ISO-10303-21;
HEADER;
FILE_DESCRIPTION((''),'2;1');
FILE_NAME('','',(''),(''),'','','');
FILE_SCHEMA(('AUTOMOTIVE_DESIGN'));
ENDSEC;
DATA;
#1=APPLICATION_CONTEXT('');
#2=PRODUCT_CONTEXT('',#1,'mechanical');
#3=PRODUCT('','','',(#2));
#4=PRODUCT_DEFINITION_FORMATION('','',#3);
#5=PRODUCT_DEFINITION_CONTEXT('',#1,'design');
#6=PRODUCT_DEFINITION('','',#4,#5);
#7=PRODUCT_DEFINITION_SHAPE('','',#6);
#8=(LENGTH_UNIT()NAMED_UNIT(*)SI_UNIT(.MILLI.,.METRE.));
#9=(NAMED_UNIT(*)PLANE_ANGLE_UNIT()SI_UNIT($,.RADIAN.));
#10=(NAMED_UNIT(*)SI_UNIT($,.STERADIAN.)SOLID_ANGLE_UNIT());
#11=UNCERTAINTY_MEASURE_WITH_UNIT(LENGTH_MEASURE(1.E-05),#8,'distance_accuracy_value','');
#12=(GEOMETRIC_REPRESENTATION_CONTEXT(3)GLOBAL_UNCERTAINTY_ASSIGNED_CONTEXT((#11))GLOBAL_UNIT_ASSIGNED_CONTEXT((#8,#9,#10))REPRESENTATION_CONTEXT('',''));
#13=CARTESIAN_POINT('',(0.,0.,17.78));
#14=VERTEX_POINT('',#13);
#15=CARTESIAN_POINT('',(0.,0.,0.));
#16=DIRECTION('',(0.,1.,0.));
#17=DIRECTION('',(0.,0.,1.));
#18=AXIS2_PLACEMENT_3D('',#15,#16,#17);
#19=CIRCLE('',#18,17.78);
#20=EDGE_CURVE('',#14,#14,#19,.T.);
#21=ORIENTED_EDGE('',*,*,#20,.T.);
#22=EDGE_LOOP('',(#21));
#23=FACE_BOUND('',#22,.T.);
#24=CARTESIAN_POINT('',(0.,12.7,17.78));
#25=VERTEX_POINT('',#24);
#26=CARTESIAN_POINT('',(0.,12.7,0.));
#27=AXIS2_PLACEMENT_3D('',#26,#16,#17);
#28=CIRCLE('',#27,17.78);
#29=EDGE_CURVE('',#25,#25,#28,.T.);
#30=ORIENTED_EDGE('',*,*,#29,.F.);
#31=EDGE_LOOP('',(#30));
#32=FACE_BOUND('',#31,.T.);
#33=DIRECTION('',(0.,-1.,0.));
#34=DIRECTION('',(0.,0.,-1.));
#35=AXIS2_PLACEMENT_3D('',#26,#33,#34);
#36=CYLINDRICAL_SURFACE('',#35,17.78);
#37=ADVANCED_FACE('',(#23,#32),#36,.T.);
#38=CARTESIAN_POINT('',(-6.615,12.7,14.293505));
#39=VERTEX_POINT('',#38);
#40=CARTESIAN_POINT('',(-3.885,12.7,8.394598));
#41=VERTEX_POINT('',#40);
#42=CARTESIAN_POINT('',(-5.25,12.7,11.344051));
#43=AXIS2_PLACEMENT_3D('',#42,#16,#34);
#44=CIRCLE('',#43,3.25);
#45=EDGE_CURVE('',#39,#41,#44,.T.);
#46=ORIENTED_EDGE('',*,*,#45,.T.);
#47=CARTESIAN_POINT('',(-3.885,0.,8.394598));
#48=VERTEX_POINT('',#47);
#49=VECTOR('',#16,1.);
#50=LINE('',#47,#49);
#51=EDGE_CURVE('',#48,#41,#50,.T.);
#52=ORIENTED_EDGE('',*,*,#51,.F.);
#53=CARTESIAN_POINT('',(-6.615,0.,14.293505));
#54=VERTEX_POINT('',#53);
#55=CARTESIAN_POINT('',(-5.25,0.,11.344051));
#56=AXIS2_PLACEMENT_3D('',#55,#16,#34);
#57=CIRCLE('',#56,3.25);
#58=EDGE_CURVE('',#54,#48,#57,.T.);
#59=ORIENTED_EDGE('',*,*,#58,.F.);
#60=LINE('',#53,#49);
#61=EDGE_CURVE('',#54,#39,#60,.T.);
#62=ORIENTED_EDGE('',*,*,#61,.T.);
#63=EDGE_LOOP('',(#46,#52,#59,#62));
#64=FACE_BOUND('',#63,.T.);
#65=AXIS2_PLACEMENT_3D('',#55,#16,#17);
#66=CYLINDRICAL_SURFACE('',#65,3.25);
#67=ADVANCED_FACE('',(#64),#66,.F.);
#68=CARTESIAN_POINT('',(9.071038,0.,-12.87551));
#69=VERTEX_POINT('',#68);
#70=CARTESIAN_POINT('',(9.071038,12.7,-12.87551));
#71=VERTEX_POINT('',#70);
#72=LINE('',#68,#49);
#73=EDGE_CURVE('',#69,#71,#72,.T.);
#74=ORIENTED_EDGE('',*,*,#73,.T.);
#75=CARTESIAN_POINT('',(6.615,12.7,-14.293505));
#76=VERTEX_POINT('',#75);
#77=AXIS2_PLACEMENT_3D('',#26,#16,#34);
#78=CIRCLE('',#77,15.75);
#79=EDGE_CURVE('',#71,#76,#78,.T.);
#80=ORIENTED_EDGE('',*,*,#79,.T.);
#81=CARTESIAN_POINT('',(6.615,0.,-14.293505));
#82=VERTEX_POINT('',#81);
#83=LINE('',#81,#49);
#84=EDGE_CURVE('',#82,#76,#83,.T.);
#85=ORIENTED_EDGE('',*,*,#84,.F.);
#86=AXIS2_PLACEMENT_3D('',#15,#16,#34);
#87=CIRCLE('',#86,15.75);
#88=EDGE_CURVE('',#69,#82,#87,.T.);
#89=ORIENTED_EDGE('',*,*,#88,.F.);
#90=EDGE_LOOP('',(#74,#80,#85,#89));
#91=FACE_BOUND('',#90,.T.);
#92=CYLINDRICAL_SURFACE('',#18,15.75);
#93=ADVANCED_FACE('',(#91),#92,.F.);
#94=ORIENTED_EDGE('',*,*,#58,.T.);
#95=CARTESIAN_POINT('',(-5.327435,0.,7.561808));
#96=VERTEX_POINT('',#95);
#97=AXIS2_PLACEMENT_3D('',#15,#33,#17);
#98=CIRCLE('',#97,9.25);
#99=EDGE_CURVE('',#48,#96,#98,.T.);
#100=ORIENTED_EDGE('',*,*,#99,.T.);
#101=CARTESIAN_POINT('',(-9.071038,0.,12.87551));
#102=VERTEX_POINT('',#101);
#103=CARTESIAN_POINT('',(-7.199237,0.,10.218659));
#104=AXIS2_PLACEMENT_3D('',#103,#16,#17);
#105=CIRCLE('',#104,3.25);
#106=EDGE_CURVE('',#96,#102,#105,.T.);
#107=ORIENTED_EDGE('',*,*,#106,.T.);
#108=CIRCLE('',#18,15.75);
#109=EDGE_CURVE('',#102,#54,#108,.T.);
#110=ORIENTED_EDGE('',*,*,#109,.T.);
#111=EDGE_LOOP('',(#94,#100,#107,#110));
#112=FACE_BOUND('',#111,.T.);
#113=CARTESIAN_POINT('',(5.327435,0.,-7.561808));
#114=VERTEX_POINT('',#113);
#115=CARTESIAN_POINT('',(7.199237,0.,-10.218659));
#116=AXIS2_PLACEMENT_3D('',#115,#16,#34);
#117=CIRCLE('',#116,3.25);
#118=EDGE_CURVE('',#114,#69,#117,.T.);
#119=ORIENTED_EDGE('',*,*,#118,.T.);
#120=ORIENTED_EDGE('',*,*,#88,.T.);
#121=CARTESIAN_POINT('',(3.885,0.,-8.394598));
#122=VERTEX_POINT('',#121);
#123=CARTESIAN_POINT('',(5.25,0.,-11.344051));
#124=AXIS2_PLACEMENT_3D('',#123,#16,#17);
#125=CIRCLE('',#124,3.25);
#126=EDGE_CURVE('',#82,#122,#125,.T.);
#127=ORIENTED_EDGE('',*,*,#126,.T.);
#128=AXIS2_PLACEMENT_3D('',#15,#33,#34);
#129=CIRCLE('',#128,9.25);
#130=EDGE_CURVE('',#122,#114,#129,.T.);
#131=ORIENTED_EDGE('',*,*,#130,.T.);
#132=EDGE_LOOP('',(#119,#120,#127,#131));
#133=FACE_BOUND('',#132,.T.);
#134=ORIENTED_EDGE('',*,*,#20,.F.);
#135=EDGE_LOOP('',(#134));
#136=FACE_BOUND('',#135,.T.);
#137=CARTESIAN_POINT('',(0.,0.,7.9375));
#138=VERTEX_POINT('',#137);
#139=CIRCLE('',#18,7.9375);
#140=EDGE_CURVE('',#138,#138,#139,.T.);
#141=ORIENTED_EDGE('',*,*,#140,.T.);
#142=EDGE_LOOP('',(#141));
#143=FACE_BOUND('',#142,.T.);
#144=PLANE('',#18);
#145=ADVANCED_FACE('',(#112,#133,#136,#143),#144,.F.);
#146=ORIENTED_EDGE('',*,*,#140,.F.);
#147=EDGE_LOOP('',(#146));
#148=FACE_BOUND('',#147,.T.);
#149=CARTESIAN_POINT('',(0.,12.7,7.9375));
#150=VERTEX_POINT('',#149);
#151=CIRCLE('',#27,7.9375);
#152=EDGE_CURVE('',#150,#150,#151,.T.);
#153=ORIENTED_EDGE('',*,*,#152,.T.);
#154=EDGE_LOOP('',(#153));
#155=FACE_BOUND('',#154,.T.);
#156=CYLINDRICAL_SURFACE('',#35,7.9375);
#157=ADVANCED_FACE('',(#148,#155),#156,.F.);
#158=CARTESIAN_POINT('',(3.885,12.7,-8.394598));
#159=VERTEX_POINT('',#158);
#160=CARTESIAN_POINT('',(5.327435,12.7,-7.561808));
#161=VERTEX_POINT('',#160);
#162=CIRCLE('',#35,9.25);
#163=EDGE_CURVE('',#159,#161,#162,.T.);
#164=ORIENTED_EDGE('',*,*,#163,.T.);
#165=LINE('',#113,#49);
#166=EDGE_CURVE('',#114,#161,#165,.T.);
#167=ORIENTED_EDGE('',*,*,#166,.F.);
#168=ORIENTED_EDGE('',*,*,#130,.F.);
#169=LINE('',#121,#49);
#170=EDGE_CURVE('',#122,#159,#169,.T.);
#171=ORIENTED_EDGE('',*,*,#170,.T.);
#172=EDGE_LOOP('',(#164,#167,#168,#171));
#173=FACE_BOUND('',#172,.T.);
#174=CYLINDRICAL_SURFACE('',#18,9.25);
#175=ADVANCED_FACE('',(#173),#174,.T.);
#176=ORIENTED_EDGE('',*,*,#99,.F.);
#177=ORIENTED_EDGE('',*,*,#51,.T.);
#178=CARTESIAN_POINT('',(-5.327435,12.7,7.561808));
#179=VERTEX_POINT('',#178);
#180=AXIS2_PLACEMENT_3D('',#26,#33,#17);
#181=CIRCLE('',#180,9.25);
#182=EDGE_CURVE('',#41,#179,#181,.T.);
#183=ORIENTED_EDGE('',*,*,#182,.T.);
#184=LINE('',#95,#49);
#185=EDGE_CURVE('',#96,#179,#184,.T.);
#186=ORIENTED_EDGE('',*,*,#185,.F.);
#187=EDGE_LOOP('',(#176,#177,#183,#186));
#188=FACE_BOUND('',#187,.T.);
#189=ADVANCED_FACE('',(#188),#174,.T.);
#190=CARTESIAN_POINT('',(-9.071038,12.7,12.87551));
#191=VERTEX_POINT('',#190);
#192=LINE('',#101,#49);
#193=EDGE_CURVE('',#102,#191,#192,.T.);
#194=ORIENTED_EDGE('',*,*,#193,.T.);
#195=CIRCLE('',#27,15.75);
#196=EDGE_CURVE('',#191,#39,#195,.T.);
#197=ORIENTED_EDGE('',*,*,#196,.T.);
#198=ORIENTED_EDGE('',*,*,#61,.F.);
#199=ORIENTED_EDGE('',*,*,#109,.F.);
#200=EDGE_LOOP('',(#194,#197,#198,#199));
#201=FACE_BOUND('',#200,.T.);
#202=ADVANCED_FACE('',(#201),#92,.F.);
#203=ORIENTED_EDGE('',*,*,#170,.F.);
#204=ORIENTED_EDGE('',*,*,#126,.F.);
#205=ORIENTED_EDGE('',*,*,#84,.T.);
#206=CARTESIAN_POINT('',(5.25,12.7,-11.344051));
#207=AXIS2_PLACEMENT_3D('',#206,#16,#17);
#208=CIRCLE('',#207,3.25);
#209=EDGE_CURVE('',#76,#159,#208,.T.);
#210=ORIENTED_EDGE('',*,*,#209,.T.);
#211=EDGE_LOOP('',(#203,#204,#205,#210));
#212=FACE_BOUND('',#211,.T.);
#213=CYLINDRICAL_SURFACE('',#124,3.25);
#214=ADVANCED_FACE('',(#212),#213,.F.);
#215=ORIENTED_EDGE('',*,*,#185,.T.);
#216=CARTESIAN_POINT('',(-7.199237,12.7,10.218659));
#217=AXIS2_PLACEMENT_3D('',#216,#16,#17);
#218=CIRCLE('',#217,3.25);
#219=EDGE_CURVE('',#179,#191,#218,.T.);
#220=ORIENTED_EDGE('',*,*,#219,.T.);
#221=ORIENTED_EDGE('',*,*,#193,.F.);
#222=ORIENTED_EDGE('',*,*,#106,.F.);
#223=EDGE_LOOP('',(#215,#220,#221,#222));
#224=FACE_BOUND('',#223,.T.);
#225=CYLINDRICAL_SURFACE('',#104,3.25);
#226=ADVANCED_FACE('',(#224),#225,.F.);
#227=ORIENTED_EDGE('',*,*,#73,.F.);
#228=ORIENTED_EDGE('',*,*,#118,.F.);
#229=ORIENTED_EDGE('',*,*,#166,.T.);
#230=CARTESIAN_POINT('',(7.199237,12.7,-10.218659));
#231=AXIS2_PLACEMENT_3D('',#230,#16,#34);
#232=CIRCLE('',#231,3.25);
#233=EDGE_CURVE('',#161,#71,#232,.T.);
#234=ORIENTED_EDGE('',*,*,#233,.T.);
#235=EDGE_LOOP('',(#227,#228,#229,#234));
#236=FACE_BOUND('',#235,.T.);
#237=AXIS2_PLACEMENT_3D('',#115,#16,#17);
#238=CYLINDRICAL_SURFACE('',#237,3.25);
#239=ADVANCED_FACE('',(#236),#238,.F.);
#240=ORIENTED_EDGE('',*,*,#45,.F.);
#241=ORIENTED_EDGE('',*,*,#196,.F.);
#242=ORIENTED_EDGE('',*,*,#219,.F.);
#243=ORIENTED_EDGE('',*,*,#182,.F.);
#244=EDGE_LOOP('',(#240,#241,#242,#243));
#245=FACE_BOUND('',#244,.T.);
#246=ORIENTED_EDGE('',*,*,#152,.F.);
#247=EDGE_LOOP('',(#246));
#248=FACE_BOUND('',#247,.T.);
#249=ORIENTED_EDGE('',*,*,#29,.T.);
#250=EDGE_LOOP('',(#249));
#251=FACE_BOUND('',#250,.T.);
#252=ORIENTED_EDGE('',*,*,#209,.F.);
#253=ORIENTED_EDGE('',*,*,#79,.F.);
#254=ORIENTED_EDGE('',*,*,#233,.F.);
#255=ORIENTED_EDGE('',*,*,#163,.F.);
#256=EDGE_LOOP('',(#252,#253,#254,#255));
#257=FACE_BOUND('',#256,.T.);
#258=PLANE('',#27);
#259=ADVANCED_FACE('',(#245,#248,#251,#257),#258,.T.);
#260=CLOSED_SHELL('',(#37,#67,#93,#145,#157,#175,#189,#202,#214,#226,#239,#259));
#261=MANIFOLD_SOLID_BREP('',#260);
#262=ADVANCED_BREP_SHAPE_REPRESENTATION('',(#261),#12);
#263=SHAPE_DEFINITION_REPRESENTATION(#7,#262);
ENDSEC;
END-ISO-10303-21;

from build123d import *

# Parameters (mm, degrees)
SKETCH1_R           = 17.78
SKETCH1_R_2         = 7.9375
BOSS_EXTRUDE1_DEPTH = 12.7
CUT_EXTRUDE1_DEPTH  = 29.169962726
CIRPATTERN1_COUNT   = 2


with BuildPart() as part:
    # Sketch1 → Boss-Extrude1 (new body)
    with BuildSketch(Plane(origin=(0, 0, 0), x_dir=(1, 0, 0), z_dir=(0, 1, 0))):
        with Locations(Location((0, 0, 0), (0, 0, 270))):
            Circle(SKETCH1_R)
        with Locations(Location((0, 0, 0), (0, 0, 270))):
            Circle(SKETCH1_R_2, mode=Mode.SUBTRACT)
    extrude(amount=BOSS_EXTRUDE1_DEPTH)

    # Sketch2 → Cut-Extrude1 (cut, through all)
    with BuildSketch(Plane(origin=(0, 12.7, 0), x_dir=(1, 0, 0), z_dir=(0, 1, 0))):
        with BuildLine():
            ThreePointArc((6.615, 14.293504644), (7.875, 13.63990011), (9.071038131, 12.875510368))
            ThreePointArc((9.071038131, 12.875510368), (9.856087957, 8.346857503), (5.327435093, 7.561807676))
            ThreePointArc((5.327435093, 7.561807676), (4.625, 8.010734985), (3.885, 8.394597965))
            ThreePointArc((3.885, 8.394597965), (2.300546661, 12.709051305), (6.615, 14.293504644))
        make_face()
    cut_extrude1 = extrude(amount=-CUT_EXTRUDE1_DEPTH, mode=Mode.SUBTRACT)

    # CirPattern1: Cut-Extrude1 ×2 about axis
    cirpattern1_axis = Axis((0, 0, 0), (0, 1, 0))
    for i in range(1, CIRPATTERN1_COUNT):
        add(cut_extrude1.rotate(cirpattern1_axis, i * 360 / CIRPATTERN1_COUNT), mode=Mode.SUBTRACT)


solid = part.part
